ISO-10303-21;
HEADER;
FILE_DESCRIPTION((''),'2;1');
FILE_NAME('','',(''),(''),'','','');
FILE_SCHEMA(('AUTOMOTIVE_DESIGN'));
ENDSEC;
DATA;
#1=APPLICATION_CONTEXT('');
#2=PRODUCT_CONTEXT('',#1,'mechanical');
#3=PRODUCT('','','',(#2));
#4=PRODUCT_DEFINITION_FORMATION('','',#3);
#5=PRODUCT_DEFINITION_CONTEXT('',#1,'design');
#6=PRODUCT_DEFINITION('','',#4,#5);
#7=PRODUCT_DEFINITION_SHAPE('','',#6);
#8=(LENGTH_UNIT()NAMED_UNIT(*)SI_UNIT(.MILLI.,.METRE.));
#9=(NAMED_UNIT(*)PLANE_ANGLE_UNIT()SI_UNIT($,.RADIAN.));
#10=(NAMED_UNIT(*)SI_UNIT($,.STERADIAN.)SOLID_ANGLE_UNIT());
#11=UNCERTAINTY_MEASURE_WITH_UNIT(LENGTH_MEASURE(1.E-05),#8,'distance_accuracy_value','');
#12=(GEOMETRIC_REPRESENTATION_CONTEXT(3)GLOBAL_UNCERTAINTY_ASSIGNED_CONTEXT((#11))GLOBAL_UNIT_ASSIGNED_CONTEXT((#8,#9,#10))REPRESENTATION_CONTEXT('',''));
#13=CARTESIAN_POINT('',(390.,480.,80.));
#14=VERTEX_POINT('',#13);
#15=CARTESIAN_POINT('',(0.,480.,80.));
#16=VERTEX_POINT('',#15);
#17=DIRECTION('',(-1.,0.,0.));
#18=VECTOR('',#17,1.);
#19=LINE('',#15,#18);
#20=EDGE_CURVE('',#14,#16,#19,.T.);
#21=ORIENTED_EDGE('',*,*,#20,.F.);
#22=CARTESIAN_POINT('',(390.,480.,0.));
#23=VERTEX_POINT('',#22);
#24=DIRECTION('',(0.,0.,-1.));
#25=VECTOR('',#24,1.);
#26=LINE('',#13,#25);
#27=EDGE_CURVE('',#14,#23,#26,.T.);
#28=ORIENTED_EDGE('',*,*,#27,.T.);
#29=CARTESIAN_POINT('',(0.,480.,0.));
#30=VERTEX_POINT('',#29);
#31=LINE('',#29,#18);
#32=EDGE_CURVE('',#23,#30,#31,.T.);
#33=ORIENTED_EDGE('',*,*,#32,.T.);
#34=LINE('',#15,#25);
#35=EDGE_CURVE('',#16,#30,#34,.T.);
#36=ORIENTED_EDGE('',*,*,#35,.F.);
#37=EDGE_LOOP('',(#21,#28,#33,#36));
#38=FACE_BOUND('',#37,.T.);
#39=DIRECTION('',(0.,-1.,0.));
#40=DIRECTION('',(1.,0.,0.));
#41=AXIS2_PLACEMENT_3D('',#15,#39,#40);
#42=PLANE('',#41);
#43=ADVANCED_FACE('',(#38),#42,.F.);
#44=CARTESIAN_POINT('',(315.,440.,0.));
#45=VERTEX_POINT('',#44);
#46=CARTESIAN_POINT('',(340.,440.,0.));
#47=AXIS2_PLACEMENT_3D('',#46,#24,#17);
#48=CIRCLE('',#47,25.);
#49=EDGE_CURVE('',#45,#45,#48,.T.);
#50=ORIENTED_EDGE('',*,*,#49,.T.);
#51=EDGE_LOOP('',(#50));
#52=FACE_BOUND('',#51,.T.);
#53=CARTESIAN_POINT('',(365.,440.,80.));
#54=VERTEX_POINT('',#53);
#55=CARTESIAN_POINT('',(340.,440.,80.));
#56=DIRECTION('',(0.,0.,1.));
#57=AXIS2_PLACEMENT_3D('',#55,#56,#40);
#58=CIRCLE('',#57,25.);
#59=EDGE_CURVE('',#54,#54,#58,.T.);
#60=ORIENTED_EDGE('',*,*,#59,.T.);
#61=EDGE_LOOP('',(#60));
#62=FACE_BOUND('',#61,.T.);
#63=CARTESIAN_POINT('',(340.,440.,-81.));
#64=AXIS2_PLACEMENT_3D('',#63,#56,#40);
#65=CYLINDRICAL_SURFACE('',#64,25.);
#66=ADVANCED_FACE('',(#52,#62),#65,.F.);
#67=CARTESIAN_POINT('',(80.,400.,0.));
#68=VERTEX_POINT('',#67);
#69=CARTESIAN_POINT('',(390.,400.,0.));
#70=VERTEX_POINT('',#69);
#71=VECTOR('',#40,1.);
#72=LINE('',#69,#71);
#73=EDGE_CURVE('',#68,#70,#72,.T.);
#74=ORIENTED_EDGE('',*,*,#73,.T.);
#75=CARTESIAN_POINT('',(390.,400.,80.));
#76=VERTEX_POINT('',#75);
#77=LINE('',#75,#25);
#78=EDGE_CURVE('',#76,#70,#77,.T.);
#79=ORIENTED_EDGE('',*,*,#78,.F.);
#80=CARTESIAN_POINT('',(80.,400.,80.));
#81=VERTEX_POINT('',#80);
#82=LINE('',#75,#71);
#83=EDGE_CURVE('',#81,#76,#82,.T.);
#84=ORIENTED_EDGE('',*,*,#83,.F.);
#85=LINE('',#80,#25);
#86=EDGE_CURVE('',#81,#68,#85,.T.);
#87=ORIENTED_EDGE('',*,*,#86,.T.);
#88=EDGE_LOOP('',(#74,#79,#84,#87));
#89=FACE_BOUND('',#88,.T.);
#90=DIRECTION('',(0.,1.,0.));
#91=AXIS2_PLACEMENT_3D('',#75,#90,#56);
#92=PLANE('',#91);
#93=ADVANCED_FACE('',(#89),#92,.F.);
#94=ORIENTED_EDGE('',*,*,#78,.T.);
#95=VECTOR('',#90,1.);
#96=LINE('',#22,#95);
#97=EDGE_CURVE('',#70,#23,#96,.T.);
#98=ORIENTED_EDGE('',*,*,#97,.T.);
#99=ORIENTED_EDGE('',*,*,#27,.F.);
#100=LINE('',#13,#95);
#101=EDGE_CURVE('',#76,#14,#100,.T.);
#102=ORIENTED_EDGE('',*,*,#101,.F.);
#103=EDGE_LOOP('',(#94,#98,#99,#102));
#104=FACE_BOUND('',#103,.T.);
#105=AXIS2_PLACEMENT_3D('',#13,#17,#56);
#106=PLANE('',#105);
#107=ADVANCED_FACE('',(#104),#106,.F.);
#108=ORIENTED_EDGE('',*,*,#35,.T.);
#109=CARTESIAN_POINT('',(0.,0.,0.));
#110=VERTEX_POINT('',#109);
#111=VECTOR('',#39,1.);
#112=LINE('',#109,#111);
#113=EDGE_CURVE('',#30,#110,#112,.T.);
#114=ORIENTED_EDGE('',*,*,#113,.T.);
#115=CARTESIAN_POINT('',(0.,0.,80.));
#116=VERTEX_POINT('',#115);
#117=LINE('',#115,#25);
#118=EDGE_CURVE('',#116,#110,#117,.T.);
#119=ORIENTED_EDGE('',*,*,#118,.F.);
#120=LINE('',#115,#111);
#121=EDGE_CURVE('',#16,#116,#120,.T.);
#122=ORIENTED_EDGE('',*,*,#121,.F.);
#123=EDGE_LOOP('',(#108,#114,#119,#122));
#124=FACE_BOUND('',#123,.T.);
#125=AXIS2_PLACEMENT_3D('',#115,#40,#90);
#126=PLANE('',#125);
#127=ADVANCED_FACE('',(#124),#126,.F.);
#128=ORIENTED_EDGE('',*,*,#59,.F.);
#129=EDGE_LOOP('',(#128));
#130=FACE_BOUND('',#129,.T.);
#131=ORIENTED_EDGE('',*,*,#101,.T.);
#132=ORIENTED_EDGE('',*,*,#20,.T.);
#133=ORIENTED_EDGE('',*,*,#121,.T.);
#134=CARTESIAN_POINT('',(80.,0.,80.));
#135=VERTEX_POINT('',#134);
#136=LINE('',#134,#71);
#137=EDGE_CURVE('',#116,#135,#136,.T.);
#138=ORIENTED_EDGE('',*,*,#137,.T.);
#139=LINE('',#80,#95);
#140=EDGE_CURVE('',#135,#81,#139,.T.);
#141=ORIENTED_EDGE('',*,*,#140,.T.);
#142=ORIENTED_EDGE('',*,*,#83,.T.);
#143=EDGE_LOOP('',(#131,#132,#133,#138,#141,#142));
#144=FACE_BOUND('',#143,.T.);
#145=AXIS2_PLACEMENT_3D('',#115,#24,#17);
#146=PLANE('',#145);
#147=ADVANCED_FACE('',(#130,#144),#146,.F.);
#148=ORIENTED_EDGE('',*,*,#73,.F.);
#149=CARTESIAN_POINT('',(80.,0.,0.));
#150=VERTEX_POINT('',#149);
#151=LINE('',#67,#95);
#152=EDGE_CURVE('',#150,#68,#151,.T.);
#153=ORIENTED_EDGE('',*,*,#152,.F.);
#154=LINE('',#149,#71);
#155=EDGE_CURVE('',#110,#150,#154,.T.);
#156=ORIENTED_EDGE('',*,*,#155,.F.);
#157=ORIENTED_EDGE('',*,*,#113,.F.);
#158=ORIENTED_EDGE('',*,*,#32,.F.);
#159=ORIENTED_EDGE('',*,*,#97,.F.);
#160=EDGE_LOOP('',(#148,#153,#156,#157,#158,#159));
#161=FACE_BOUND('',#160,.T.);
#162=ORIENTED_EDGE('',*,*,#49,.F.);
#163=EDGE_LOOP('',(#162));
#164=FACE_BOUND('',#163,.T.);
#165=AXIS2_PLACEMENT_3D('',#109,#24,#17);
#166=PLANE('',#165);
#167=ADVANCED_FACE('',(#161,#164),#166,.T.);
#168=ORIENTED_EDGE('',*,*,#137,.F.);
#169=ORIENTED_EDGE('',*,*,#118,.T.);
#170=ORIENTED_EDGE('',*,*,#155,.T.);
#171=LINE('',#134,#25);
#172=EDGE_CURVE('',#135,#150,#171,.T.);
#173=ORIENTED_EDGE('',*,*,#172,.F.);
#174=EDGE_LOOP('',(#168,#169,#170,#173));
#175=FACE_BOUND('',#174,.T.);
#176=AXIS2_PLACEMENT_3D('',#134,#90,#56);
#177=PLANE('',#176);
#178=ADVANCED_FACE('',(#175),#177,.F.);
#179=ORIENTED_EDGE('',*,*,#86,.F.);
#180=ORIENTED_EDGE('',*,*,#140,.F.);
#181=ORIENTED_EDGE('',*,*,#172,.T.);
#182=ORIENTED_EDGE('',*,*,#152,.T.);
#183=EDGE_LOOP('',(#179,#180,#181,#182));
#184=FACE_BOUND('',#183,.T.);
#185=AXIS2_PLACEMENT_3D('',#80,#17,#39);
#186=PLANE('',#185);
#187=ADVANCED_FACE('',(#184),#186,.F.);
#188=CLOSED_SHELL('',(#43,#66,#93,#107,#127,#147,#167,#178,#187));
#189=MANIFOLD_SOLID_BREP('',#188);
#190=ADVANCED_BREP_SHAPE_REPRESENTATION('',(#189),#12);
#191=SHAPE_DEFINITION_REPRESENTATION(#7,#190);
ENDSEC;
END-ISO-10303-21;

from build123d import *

# Parameters (mm, degrees)
BOSS_EXTRUDE1_DEPTH = 80
SKETCH2_R           = 25
CUT_EXTRUDE1_DEPTH  = 161


with BuildPart() as part:
    # Sketch1 → Boss-Extrude1 (new body)
    with BuildSketch(Plane.XY):
        Polygon((0, 0), (0, 480), (390, 480), (390, 400), (80, 400), (80, 0), align=None)
    extrude(amount=BOSS_EXTRUDE1_DEPTH)

    # Sketch2 → Cut-Extrude1 (cut)
    with BuildSketch(Plane.XY.offset(80)):
        with Locations((340, 440)):
            Circle(SKETCH2_R)
    extrude(amount=-CUT_EXTRUDE1_DEPTH, mode=Mode.SUBTRACT)


solid = part.part
